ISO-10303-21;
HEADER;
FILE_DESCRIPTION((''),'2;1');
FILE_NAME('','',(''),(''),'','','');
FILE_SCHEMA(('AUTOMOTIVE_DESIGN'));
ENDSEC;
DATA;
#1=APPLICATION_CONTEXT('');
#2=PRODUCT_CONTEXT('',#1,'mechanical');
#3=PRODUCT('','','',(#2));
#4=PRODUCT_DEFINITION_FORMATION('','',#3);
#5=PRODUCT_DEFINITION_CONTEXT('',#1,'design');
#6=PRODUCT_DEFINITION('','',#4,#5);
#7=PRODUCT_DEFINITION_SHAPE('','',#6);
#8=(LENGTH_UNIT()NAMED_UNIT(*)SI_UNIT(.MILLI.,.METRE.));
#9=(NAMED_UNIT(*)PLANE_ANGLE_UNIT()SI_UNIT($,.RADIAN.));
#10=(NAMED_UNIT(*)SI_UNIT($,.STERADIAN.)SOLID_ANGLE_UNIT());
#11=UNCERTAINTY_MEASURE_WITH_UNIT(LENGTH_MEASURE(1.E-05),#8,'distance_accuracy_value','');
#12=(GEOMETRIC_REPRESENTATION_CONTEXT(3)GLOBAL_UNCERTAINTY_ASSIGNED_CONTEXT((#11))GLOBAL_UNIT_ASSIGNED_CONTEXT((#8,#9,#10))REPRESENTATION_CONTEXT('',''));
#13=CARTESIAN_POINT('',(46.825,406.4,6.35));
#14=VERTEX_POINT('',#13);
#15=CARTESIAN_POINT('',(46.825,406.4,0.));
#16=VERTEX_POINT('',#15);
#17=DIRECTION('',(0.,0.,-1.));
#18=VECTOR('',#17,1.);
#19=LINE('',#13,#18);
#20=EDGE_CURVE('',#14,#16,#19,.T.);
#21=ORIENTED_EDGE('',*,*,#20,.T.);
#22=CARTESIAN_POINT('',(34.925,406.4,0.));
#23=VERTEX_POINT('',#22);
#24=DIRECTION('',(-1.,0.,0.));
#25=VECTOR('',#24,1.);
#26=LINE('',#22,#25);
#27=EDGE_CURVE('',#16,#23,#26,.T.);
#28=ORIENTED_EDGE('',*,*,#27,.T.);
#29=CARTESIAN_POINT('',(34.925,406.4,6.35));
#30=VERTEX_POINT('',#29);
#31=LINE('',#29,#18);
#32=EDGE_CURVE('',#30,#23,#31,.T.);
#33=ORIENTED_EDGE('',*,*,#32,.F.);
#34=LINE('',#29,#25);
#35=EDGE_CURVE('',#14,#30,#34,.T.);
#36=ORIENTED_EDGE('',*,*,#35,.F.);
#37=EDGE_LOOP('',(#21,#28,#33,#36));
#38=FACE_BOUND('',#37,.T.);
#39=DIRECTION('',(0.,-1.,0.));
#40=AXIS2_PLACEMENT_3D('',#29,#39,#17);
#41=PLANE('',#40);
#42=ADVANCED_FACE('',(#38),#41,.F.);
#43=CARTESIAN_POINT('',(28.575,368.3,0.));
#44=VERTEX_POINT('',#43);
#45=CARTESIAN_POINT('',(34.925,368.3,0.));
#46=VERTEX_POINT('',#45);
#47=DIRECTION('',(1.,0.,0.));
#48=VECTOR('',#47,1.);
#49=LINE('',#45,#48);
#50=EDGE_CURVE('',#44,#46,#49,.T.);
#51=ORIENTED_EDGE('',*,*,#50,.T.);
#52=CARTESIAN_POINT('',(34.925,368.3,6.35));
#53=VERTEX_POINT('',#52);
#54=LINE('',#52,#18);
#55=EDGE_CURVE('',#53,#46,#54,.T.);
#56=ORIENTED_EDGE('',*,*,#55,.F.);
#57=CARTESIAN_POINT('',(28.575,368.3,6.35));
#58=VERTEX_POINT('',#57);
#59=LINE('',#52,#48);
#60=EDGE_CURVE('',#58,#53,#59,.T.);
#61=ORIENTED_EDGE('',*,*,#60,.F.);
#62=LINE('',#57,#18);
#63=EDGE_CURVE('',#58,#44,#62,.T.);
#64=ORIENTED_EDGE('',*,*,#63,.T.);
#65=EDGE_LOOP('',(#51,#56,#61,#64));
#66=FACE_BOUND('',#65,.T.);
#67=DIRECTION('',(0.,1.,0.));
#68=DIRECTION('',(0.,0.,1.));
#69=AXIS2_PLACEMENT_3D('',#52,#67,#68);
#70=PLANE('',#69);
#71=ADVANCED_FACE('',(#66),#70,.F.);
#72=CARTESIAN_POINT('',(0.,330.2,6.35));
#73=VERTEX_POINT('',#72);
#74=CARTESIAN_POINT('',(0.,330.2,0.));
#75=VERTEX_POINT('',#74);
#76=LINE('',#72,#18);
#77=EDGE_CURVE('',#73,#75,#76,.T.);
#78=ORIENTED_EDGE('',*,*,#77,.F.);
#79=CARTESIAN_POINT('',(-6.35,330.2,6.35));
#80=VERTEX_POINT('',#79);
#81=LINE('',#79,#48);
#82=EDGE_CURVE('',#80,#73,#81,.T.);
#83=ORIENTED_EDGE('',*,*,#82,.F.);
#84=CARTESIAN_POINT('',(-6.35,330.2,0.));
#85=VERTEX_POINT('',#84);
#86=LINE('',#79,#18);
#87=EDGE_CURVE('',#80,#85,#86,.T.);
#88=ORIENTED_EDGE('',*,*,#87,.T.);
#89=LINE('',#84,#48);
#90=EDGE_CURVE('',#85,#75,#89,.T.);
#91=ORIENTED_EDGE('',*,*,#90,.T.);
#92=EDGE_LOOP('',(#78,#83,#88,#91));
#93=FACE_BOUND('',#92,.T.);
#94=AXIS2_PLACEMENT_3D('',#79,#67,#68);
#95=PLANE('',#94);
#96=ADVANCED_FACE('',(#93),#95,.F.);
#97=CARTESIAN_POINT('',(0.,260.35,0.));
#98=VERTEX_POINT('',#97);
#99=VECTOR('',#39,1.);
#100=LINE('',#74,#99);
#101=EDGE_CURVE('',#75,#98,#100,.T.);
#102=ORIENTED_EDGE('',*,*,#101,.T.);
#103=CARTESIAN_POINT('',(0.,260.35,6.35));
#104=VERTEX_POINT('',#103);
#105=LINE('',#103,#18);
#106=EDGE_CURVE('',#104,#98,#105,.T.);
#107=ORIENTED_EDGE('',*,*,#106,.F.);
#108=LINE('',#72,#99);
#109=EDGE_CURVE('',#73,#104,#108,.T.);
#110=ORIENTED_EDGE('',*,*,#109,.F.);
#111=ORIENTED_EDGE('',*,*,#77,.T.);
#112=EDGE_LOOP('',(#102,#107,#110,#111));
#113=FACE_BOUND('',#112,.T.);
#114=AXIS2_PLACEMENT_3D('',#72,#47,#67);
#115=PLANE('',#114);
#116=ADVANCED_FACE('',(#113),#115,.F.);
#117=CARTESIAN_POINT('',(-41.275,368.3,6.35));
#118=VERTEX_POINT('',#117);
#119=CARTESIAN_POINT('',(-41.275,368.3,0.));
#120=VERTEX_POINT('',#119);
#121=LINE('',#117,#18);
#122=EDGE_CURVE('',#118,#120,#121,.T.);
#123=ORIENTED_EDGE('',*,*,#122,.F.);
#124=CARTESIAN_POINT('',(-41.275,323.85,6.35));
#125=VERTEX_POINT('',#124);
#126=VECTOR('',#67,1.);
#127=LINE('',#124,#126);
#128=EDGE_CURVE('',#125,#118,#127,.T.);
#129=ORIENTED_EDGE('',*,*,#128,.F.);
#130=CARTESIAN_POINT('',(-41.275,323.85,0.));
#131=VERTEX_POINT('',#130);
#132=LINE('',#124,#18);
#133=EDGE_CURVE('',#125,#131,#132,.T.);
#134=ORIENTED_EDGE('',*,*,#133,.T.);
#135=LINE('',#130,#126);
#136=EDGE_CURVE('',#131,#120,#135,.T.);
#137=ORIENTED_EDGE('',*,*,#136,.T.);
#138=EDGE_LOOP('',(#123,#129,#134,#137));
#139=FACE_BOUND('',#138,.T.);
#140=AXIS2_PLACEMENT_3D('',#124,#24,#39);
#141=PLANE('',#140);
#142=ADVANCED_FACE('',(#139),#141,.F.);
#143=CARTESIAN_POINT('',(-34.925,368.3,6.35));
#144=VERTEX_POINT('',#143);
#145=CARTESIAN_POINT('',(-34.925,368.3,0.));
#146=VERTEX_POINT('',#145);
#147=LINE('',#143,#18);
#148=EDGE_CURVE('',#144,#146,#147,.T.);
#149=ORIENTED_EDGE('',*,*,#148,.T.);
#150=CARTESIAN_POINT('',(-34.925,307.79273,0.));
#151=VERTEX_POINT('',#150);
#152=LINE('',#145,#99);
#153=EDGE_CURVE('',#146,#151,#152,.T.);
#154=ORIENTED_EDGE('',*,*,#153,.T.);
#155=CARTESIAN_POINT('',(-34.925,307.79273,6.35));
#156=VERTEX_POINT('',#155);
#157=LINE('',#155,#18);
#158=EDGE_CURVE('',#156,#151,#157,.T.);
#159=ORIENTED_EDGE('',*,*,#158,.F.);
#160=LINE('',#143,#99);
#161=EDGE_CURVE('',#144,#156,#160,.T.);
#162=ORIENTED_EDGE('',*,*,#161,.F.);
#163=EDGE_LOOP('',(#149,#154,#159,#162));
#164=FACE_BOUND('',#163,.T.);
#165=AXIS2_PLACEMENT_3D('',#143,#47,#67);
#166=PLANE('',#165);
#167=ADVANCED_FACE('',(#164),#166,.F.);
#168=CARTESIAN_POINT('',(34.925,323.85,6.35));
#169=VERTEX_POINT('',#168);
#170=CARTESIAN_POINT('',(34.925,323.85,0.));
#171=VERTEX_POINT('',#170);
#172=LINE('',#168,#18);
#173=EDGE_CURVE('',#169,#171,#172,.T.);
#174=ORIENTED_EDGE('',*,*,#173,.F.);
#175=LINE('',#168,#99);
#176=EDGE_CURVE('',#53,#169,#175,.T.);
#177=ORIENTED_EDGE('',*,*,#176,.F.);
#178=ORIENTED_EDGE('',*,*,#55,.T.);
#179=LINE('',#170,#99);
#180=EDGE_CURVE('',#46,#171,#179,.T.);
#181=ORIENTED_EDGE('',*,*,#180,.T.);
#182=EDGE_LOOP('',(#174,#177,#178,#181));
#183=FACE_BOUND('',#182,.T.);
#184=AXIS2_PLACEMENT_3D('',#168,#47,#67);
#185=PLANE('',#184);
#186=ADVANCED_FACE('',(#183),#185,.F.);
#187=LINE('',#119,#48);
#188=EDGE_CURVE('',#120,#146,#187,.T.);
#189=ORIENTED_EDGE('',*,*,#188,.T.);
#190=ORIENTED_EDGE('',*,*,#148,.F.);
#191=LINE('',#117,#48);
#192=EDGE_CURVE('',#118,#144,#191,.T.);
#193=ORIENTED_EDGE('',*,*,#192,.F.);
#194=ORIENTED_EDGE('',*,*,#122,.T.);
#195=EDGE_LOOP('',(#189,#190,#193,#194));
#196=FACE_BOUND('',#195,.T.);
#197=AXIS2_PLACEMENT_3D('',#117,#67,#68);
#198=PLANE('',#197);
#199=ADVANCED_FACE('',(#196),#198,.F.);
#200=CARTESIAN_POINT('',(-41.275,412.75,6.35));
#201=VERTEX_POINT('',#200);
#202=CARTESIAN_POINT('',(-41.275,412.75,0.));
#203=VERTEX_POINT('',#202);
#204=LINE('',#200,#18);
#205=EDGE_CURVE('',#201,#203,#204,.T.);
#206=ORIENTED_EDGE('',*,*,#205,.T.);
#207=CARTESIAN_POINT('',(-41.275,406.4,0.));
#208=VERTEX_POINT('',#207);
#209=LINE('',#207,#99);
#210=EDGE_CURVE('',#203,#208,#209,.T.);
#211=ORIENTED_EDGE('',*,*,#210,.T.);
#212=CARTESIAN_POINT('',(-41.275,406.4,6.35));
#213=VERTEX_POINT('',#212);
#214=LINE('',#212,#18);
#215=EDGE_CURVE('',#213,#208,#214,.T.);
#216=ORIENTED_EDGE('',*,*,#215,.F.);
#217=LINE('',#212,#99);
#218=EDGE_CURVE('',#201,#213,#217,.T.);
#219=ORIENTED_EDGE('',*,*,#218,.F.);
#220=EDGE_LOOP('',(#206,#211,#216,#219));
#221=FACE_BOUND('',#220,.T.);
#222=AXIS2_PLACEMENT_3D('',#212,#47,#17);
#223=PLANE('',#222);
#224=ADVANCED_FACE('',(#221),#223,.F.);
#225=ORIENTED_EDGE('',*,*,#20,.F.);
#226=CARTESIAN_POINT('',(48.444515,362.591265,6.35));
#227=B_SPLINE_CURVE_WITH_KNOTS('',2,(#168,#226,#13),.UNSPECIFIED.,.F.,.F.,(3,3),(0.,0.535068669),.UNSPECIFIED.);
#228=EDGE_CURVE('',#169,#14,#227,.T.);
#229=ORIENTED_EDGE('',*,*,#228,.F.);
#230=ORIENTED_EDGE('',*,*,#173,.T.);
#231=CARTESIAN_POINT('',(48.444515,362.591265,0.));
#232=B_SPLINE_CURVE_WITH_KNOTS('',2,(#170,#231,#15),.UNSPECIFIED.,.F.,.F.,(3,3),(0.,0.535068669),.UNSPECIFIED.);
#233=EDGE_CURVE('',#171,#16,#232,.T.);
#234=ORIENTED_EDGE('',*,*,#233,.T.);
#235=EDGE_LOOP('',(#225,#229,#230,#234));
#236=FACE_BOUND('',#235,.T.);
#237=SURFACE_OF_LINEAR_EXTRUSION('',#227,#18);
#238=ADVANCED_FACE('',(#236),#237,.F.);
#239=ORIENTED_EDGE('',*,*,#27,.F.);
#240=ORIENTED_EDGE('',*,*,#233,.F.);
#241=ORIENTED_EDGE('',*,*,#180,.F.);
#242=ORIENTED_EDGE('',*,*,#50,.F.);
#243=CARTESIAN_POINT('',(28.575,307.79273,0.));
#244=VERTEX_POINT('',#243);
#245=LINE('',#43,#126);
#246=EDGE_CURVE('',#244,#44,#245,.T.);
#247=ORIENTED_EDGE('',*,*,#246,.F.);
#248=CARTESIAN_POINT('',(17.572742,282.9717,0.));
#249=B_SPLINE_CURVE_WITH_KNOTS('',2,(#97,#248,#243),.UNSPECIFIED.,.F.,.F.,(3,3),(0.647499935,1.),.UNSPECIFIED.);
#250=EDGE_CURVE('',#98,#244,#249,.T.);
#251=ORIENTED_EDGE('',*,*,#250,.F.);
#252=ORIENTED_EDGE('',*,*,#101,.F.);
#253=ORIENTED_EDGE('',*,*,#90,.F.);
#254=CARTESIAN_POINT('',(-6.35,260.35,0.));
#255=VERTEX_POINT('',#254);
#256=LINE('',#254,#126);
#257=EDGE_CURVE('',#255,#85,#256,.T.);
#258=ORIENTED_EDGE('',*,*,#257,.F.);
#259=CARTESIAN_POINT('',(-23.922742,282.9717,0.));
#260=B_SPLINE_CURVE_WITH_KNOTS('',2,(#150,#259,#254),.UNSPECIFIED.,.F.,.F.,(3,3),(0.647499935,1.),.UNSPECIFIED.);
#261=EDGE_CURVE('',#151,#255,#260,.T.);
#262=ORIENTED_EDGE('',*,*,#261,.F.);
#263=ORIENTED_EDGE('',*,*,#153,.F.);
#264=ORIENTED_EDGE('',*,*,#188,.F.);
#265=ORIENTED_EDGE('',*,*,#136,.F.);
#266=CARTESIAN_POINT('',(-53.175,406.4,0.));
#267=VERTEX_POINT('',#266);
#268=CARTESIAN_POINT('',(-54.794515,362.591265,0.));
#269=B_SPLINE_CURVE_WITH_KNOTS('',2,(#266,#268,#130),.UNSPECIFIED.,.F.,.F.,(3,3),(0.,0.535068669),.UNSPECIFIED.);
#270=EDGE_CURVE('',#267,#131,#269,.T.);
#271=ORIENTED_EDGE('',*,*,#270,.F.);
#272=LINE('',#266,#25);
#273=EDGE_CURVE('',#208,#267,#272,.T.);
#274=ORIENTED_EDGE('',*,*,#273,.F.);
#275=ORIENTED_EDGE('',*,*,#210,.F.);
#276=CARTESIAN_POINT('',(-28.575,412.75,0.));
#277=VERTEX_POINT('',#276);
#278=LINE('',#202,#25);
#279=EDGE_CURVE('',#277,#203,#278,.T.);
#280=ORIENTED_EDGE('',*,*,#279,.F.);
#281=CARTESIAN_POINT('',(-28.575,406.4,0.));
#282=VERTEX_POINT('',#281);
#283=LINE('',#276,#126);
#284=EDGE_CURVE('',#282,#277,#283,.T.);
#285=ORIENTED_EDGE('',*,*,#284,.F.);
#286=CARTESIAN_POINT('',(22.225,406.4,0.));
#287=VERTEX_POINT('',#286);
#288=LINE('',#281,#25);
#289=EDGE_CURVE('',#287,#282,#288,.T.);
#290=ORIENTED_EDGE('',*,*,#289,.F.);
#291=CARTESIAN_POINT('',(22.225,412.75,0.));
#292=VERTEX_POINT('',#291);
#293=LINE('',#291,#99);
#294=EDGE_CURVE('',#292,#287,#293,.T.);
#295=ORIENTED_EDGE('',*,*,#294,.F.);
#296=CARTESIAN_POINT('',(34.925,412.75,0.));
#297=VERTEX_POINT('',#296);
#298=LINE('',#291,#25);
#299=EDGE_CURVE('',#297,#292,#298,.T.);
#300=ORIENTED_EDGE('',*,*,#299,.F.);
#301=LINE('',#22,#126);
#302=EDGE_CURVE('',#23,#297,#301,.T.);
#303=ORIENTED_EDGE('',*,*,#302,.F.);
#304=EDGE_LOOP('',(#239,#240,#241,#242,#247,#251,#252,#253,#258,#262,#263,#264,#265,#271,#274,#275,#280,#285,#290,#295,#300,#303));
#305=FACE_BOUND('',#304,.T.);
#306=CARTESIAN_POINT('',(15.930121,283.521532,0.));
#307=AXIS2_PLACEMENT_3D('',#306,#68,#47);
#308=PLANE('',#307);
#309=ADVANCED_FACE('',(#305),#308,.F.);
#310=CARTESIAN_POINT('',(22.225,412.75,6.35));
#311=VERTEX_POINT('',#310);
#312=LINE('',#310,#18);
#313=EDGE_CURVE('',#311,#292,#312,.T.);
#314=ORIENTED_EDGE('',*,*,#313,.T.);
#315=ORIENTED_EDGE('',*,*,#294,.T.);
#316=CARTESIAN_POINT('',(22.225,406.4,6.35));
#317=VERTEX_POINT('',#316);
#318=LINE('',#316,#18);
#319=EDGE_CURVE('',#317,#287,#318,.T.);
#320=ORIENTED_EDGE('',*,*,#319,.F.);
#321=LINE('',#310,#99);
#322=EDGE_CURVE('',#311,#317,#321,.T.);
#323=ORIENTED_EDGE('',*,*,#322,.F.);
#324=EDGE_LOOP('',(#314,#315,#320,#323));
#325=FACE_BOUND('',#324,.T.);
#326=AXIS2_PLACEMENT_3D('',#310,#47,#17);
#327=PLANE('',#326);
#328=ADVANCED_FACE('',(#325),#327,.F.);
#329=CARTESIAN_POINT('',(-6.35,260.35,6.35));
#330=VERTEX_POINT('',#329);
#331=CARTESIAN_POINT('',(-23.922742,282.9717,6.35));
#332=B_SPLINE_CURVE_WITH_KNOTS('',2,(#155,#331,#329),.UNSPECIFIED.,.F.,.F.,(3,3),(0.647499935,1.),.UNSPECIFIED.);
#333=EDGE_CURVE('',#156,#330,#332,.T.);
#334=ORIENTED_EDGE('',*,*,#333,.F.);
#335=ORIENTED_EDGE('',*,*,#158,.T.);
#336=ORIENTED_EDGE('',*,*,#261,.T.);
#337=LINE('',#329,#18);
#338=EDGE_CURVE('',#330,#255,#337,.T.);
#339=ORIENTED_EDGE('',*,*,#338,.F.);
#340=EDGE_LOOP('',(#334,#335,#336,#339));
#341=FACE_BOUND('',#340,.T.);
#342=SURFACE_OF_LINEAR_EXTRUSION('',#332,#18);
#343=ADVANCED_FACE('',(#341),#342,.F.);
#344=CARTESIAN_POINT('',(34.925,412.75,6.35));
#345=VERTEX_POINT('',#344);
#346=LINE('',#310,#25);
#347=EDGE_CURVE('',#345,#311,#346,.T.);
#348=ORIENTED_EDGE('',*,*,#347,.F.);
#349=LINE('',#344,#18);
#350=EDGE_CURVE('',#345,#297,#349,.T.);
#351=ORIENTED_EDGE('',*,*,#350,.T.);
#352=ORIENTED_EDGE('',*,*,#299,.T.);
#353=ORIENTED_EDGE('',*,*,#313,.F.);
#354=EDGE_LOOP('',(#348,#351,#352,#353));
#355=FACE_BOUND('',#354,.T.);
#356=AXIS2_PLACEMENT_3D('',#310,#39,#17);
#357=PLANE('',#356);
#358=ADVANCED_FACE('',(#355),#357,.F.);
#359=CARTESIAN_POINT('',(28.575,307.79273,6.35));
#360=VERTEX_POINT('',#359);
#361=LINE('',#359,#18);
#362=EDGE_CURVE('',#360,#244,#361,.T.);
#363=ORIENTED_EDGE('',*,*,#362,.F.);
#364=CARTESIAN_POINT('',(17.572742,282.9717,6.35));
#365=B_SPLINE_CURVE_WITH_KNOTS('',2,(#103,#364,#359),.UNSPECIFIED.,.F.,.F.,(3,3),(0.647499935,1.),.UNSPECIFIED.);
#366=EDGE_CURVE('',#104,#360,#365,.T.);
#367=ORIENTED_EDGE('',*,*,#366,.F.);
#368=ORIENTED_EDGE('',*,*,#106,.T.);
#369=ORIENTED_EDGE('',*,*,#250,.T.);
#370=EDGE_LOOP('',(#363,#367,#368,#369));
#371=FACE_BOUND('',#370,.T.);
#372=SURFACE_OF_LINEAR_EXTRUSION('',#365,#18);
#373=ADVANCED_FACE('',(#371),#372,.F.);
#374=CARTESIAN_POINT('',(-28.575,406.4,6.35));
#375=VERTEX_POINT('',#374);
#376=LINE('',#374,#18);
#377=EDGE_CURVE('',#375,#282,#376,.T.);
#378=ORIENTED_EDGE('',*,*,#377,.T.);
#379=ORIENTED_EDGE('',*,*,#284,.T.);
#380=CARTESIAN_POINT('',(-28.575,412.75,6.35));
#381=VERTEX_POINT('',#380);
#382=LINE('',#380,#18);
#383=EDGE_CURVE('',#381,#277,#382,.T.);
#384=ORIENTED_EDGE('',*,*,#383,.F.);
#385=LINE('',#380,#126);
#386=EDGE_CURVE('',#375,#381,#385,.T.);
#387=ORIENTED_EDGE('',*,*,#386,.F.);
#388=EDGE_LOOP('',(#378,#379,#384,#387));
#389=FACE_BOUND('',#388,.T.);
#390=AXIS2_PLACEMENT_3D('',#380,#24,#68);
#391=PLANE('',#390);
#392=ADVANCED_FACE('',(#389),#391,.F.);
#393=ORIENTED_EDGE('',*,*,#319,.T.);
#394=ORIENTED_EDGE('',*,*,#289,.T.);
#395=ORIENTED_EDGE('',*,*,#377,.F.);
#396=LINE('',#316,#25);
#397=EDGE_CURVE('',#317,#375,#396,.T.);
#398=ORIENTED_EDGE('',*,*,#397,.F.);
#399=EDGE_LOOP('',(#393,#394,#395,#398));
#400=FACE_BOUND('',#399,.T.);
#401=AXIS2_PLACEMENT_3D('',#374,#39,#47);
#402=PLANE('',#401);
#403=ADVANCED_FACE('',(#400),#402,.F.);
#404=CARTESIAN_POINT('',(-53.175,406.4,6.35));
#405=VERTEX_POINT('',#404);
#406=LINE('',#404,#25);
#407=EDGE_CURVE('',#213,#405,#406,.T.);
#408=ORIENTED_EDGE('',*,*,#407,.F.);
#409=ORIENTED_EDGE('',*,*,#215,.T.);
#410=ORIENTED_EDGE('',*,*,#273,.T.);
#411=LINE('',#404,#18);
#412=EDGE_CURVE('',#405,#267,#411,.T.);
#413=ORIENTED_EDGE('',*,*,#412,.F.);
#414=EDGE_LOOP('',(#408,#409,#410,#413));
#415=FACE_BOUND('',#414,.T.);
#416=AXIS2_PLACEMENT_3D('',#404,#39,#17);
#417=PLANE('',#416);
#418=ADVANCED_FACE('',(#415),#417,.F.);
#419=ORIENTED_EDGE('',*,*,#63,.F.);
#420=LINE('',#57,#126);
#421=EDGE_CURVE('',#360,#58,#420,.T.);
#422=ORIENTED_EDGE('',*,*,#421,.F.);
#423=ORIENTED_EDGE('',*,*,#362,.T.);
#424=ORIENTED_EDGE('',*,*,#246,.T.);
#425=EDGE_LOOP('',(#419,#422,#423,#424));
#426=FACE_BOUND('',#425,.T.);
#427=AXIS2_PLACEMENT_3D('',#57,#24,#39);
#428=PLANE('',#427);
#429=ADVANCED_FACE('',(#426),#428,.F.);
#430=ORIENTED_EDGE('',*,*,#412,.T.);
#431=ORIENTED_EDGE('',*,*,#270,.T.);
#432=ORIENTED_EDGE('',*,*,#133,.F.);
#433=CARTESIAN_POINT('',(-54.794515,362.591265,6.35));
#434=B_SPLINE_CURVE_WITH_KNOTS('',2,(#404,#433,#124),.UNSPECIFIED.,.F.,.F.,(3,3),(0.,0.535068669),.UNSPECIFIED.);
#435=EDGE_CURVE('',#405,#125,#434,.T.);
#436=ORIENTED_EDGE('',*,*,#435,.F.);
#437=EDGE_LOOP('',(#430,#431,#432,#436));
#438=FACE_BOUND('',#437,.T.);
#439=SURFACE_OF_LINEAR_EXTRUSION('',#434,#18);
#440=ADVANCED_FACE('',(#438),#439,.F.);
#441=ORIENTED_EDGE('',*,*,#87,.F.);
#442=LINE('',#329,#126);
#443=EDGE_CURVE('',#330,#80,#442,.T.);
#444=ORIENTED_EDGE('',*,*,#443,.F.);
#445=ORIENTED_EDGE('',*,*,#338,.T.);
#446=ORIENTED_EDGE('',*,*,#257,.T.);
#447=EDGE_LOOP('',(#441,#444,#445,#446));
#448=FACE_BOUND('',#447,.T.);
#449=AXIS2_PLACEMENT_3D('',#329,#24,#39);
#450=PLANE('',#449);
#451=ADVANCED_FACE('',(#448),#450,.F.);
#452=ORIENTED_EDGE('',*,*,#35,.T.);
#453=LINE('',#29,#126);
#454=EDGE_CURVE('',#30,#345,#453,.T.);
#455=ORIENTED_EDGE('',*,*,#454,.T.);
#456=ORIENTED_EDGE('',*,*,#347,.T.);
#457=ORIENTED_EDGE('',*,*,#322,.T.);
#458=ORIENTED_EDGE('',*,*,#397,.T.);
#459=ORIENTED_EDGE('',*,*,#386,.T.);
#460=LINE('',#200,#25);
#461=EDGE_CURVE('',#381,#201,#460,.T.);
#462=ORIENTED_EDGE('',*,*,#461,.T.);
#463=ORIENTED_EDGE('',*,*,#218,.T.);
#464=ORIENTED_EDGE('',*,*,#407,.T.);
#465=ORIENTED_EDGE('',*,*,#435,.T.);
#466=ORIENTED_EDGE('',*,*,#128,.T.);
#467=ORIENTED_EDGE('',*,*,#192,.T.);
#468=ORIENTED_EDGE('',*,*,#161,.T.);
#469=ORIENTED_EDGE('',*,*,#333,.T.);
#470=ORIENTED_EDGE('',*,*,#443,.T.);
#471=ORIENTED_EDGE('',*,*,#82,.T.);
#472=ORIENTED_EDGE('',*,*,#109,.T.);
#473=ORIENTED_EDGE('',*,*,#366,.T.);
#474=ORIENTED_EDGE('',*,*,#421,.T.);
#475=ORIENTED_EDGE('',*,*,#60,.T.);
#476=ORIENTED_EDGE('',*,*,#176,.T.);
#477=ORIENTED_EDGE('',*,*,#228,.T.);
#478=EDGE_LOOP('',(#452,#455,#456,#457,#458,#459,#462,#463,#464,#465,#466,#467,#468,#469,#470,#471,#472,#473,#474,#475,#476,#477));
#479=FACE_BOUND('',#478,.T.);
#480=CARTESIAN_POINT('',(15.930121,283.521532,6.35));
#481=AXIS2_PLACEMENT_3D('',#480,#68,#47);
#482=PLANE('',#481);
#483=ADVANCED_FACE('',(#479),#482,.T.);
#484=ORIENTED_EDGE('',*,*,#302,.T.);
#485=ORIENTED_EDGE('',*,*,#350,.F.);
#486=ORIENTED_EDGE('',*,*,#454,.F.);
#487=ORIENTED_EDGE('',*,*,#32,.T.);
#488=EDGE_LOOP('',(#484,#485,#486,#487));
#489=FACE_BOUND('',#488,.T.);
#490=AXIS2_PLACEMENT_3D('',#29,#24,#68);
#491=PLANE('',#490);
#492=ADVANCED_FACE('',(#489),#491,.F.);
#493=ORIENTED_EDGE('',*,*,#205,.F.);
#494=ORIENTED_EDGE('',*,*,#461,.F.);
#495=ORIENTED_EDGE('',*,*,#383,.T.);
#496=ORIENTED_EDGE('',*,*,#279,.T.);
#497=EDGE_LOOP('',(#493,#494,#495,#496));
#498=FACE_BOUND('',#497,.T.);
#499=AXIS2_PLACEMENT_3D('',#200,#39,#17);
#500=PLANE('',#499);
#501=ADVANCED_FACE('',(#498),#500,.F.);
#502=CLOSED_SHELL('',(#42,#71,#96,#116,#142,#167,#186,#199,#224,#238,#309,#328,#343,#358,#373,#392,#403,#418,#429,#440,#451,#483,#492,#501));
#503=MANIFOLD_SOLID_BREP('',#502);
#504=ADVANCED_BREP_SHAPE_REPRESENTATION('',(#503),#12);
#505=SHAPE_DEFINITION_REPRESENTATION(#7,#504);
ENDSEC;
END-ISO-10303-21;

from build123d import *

# Parameters (mm, degrees)
BOSS_EXTRUDE1_DEPTH = 6.35


with BuildPart() as part:
    # Sketch1 → Boss-Extrude1 (new body)
    with BuildSketch(Plane.XY):
        with BuildLine():
            Line((-53.175, 406.4), (-41.275, 406.4))
            Line((-41.275, 406.4), (-41.275, 412.75))
            Line((-41.275, 412.75), (-28.575, 412.75))
            Line((-28.575, 412.75), (-28.575, 406.4))
            Line((-28.575, 406.4), (-6.35, 406.4))
            Line((-6.35, 406.4), (22.225, 406.4))
            Line((22.225, 406.4), (22.225, 412.75))
            Line((22.225, 412.75), (34.925, 412.75))
            Line((34.925, 412.75), (34.925, 406.4))
            Line((34.925, 406.4), (46.825, 406.4))
            add(Edge.make_bspline(
                [(46.825, 406.4), (48.444514788, 362.591265004), (34.925, 323.85)],
                knots=[0, 0, 0, 0.535068669, 0.535068669, 0.535068669], degree=2))
            Line((34.925, 323.85), (34.925, 368.3))
            Line((34.925, 368.3), (28.575, 368.3))
            Line((28.575, 368.3), (28.575, 307.792730185))
            add(Edge.make_bspline(
                [(28.575, 307.792730185), (17.572742264, 282.971699721), (0, 260.35)],
                knots=[0.647499935, 0.647499935, 0.647499935, 1, 1, 1], degree=2))
            Line((0, 260.35), (0, 330.2))
            Line((0, 330.2), (-6.35, 330.2))
            Line((-6.35, 330.2), (-6.35, 260.35))
            add(Edge.make_bspline(
                [(-34.925, 307.792730185), (-23.922742264, 282.971699721), (-6.35, 260.35)],
                knots=[0.647499935, 0.647499935, 0.647499935, 1, 1, 1], degree=2))
            Line((-34.925, 307.792730185), (-34.925, 368.3))
            Line((-34.925, 368.3), (-41.275, 368.3))
            Line((-41.275, 368.3), (-41.275, 323.85))
            add(Edge.make_bspline(
                [(-53.175, 406.4), (-54.794514788, 362.591265004), (-41.275, 323.85)],
                knots=[0, 0, 0, 0.535068669, 0.535068669, 0.535068669], degree=2))
        make_face()
    extrude(amount=BOSS_EXTRUDE1_DEPTH)


solid = part.part
